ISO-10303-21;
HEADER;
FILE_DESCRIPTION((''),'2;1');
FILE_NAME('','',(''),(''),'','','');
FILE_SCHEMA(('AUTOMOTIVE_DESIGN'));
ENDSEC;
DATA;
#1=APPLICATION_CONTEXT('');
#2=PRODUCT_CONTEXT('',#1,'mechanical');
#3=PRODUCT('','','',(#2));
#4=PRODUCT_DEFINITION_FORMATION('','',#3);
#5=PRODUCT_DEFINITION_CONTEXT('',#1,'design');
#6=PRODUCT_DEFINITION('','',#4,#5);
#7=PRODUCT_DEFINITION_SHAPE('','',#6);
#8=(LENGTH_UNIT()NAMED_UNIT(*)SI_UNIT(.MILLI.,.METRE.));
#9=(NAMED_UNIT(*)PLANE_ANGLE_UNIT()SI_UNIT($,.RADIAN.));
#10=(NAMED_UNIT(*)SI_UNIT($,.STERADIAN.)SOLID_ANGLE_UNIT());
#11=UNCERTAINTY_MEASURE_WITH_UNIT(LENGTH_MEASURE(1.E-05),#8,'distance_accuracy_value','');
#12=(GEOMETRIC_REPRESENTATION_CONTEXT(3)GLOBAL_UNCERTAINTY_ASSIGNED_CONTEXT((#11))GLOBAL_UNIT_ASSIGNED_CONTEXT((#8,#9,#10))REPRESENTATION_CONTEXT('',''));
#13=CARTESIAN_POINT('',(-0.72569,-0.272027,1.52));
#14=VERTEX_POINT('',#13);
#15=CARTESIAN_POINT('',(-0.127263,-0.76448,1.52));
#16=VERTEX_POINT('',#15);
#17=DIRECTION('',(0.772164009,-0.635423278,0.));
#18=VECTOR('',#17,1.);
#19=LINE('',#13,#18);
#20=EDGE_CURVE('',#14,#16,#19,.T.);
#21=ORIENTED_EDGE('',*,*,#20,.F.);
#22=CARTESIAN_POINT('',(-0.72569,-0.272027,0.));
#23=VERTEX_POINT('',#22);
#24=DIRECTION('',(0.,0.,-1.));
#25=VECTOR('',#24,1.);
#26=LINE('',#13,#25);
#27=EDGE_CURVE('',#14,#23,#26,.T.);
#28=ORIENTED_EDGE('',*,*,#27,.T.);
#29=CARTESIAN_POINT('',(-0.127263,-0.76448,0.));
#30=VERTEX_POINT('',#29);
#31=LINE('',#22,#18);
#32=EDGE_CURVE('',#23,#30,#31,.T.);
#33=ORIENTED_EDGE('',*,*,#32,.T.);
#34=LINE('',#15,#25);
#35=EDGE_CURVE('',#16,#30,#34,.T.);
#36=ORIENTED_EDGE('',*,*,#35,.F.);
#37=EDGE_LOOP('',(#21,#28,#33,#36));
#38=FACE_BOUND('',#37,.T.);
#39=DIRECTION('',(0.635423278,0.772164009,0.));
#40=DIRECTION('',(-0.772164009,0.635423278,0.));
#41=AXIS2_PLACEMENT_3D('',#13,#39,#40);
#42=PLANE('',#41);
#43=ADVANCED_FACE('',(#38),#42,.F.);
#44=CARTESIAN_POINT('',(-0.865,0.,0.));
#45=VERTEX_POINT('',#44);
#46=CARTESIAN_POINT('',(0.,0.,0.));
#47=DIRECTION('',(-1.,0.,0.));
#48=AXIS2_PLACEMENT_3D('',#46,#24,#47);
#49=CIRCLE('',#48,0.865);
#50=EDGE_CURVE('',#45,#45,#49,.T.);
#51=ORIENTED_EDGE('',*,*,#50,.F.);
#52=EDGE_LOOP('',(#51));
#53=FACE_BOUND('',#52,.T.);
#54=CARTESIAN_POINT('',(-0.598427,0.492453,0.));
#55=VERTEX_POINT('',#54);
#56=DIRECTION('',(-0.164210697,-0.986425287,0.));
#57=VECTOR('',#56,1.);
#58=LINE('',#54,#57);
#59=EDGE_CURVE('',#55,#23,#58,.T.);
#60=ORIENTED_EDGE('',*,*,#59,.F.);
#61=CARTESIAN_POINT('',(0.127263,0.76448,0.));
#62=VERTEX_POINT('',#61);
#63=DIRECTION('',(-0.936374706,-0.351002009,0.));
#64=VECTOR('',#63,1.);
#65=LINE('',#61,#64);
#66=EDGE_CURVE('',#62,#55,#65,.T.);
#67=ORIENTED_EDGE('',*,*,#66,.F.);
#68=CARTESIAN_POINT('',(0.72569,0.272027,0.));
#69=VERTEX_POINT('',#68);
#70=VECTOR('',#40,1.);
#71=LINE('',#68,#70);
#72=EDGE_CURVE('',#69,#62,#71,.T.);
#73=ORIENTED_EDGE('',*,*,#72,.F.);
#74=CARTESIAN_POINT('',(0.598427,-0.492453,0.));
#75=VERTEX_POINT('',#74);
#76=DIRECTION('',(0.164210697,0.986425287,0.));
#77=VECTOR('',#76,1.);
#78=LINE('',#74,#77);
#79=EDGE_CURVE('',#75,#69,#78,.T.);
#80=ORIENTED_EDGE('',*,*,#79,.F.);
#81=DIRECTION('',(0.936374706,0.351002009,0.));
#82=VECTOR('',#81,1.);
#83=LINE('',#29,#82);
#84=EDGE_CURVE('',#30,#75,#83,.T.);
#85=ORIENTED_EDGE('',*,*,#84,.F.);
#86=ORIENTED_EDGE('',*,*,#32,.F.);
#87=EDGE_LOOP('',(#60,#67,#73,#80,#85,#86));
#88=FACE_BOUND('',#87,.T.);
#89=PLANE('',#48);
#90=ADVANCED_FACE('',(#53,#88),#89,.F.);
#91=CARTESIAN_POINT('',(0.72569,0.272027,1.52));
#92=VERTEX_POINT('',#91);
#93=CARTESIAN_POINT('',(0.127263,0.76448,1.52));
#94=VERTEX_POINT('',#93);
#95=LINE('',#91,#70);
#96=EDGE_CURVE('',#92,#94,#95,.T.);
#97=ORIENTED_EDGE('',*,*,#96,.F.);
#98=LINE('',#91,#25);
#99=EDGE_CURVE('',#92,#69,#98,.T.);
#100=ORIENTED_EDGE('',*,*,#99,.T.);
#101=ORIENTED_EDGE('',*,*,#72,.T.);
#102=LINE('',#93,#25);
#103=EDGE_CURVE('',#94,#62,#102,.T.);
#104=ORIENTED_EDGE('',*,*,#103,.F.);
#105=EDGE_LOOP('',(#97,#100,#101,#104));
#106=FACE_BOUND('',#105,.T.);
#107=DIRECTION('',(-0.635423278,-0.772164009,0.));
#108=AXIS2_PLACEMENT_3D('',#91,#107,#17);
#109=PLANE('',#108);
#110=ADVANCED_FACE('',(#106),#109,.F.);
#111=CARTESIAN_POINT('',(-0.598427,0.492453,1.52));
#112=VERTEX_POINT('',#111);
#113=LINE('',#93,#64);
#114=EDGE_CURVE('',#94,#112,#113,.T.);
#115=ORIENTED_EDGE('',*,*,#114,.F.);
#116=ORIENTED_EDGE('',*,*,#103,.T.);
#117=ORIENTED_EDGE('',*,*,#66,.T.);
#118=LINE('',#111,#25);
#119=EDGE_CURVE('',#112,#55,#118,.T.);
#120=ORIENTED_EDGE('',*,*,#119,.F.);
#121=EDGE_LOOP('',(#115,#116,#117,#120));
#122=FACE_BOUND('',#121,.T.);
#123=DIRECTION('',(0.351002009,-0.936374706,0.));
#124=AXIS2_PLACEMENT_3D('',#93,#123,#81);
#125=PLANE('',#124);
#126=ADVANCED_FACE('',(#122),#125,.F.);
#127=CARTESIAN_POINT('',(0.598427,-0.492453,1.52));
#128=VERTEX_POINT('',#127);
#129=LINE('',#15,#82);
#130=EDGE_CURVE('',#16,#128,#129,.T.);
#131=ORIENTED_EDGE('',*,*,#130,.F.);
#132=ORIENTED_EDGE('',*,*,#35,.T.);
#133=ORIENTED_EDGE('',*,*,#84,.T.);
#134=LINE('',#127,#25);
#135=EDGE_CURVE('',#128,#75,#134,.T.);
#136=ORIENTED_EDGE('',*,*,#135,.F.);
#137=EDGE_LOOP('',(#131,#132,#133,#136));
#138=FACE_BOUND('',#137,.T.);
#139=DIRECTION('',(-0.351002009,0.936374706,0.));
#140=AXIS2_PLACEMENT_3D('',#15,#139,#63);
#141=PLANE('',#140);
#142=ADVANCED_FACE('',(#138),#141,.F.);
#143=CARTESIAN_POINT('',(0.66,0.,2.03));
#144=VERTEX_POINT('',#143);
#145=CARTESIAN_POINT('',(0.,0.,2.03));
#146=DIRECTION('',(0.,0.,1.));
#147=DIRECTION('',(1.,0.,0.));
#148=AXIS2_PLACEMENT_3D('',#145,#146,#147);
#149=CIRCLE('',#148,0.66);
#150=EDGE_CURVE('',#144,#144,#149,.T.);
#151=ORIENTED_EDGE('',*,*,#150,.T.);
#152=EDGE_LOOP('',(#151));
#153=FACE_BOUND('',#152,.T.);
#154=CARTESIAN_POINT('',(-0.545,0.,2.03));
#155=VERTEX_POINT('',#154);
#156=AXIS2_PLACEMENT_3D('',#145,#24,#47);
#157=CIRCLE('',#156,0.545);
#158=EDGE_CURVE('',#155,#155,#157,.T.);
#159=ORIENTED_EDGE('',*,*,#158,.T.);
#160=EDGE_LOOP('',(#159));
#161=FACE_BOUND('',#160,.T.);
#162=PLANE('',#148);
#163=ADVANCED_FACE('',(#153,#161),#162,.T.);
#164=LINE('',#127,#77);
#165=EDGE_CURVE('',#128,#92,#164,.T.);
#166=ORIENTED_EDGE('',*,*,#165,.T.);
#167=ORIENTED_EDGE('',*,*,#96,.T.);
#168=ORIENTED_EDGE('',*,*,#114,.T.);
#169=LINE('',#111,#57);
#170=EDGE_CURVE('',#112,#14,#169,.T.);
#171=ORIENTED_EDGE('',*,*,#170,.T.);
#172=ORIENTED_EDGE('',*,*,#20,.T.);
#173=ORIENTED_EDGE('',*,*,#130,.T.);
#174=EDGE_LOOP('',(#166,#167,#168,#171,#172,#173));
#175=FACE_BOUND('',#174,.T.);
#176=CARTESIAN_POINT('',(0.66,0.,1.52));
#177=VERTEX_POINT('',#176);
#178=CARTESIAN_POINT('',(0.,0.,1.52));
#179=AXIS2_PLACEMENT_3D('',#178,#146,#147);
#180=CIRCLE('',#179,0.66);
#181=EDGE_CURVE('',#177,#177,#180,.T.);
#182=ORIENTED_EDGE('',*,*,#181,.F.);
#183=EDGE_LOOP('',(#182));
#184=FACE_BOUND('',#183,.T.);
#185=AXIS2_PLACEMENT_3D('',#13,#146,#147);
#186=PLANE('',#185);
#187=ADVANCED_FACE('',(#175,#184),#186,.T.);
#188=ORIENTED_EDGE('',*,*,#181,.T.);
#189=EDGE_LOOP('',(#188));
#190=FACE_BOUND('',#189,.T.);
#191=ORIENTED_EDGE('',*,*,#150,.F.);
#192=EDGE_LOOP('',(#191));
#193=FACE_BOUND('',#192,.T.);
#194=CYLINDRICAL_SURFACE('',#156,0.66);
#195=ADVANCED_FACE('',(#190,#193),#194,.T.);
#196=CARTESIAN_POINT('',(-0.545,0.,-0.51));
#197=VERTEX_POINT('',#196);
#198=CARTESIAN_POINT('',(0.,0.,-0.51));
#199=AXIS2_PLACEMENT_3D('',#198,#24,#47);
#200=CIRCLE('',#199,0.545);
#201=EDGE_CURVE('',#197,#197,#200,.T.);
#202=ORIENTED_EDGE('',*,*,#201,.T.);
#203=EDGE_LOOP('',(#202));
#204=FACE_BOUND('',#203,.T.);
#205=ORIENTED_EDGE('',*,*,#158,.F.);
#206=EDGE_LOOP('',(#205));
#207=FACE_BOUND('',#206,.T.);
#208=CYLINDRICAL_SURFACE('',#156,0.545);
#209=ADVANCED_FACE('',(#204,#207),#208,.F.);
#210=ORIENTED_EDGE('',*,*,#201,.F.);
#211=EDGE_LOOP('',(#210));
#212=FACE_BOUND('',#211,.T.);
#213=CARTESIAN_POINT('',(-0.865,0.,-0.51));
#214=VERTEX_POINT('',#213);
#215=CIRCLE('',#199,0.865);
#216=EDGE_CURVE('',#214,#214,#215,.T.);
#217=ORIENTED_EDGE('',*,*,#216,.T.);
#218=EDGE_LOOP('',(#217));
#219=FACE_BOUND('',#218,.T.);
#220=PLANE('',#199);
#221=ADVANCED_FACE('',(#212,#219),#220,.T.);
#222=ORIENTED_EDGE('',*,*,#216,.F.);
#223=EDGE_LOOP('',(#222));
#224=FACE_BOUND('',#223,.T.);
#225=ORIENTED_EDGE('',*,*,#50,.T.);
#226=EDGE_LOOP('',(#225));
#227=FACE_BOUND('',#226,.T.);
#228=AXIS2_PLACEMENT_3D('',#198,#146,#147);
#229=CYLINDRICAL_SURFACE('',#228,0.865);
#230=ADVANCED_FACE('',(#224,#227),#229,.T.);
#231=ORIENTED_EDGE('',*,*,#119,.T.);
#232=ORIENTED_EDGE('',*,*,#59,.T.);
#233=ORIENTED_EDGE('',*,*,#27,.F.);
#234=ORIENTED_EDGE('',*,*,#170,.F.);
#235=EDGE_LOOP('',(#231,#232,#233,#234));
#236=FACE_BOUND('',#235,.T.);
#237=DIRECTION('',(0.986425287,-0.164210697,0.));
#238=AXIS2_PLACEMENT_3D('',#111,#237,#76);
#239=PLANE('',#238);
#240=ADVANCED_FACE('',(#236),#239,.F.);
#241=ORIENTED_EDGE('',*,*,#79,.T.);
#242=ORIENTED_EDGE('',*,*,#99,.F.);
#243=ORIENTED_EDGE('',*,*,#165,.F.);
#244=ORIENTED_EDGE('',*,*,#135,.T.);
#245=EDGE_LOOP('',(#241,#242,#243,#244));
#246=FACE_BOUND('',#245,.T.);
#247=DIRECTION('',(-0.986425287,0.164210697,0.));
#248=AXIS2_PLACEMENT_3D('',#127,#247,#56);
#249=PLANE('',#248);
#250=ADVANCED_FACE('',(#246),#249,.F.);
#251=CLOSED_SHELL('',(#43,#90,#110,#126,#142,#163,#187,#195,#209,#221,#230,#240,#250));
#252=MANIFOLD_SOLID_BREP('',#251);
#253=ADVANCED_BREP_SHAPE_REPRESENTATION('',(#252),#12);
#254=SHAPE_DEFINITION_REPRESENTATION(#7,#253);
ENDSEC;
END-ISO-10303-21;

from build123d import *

# Parameters (mm, degrees)
BOSS_EXTRUDE1_DEPTH = 1.52
SKETCH4_R           = 0.66
BOSS_EXTRUDE3_DEPTH = 0.51
SKETCH2_R           = 0.865
BOSS_EXTRUDE2_DEPTH = 0.51
SKETCH3_R           = 0.545
CUT_EXTRUDE1_DEPTH  = 2.54


with BuildPart() as part:
    # Sketch1 → Boss-Extrude1 (new body)
    with BuildSketch(Plane.XY):
        Polygon((-0.725690397, -0.272026557), (-0.12726329, -0.764479598), (0.598427107, -0.492453041), (0.725690397, 0.272026557), (0.12726329, 0.764479598), (-0.598427107, 0.492453041), align=None)
    extrude(amount=BOSS_EXTRUDE1_DEPTH)

    # Sketch4 → Boss-Extrude3 (add)
    with BuildSketch(Plane.XY.offset(1.52)):
        Circle(SKETCH4_R)
    extrude(amount=BOSS_EXTRUDE3_DEPTH)

    # Sketch2 → Boss-Extrude2 (add)
    with BuildSketch(Plane(origin=(0, 0, 0), x_dir=(-1, 0, 0), z_dir=(0, 0, -1))):
        Circle(SKETCH2_R)
    extrude(amount=BOSS_EXTRUDE2_DEPTH)

    # Sketch3 → Cut-Extrude1 (cut)
    with BuildSketch(Plane(origin=(0, 0, -0.51), x_dir=(-1, 0, 0), z_dir=(0, 0, -1))):
        Circle(SKETCH3_R)
    extrude(amount=-CUT_EXTRUDE1_DEPTH, mode=Mode.SUBTRACT)


solid = part.part
